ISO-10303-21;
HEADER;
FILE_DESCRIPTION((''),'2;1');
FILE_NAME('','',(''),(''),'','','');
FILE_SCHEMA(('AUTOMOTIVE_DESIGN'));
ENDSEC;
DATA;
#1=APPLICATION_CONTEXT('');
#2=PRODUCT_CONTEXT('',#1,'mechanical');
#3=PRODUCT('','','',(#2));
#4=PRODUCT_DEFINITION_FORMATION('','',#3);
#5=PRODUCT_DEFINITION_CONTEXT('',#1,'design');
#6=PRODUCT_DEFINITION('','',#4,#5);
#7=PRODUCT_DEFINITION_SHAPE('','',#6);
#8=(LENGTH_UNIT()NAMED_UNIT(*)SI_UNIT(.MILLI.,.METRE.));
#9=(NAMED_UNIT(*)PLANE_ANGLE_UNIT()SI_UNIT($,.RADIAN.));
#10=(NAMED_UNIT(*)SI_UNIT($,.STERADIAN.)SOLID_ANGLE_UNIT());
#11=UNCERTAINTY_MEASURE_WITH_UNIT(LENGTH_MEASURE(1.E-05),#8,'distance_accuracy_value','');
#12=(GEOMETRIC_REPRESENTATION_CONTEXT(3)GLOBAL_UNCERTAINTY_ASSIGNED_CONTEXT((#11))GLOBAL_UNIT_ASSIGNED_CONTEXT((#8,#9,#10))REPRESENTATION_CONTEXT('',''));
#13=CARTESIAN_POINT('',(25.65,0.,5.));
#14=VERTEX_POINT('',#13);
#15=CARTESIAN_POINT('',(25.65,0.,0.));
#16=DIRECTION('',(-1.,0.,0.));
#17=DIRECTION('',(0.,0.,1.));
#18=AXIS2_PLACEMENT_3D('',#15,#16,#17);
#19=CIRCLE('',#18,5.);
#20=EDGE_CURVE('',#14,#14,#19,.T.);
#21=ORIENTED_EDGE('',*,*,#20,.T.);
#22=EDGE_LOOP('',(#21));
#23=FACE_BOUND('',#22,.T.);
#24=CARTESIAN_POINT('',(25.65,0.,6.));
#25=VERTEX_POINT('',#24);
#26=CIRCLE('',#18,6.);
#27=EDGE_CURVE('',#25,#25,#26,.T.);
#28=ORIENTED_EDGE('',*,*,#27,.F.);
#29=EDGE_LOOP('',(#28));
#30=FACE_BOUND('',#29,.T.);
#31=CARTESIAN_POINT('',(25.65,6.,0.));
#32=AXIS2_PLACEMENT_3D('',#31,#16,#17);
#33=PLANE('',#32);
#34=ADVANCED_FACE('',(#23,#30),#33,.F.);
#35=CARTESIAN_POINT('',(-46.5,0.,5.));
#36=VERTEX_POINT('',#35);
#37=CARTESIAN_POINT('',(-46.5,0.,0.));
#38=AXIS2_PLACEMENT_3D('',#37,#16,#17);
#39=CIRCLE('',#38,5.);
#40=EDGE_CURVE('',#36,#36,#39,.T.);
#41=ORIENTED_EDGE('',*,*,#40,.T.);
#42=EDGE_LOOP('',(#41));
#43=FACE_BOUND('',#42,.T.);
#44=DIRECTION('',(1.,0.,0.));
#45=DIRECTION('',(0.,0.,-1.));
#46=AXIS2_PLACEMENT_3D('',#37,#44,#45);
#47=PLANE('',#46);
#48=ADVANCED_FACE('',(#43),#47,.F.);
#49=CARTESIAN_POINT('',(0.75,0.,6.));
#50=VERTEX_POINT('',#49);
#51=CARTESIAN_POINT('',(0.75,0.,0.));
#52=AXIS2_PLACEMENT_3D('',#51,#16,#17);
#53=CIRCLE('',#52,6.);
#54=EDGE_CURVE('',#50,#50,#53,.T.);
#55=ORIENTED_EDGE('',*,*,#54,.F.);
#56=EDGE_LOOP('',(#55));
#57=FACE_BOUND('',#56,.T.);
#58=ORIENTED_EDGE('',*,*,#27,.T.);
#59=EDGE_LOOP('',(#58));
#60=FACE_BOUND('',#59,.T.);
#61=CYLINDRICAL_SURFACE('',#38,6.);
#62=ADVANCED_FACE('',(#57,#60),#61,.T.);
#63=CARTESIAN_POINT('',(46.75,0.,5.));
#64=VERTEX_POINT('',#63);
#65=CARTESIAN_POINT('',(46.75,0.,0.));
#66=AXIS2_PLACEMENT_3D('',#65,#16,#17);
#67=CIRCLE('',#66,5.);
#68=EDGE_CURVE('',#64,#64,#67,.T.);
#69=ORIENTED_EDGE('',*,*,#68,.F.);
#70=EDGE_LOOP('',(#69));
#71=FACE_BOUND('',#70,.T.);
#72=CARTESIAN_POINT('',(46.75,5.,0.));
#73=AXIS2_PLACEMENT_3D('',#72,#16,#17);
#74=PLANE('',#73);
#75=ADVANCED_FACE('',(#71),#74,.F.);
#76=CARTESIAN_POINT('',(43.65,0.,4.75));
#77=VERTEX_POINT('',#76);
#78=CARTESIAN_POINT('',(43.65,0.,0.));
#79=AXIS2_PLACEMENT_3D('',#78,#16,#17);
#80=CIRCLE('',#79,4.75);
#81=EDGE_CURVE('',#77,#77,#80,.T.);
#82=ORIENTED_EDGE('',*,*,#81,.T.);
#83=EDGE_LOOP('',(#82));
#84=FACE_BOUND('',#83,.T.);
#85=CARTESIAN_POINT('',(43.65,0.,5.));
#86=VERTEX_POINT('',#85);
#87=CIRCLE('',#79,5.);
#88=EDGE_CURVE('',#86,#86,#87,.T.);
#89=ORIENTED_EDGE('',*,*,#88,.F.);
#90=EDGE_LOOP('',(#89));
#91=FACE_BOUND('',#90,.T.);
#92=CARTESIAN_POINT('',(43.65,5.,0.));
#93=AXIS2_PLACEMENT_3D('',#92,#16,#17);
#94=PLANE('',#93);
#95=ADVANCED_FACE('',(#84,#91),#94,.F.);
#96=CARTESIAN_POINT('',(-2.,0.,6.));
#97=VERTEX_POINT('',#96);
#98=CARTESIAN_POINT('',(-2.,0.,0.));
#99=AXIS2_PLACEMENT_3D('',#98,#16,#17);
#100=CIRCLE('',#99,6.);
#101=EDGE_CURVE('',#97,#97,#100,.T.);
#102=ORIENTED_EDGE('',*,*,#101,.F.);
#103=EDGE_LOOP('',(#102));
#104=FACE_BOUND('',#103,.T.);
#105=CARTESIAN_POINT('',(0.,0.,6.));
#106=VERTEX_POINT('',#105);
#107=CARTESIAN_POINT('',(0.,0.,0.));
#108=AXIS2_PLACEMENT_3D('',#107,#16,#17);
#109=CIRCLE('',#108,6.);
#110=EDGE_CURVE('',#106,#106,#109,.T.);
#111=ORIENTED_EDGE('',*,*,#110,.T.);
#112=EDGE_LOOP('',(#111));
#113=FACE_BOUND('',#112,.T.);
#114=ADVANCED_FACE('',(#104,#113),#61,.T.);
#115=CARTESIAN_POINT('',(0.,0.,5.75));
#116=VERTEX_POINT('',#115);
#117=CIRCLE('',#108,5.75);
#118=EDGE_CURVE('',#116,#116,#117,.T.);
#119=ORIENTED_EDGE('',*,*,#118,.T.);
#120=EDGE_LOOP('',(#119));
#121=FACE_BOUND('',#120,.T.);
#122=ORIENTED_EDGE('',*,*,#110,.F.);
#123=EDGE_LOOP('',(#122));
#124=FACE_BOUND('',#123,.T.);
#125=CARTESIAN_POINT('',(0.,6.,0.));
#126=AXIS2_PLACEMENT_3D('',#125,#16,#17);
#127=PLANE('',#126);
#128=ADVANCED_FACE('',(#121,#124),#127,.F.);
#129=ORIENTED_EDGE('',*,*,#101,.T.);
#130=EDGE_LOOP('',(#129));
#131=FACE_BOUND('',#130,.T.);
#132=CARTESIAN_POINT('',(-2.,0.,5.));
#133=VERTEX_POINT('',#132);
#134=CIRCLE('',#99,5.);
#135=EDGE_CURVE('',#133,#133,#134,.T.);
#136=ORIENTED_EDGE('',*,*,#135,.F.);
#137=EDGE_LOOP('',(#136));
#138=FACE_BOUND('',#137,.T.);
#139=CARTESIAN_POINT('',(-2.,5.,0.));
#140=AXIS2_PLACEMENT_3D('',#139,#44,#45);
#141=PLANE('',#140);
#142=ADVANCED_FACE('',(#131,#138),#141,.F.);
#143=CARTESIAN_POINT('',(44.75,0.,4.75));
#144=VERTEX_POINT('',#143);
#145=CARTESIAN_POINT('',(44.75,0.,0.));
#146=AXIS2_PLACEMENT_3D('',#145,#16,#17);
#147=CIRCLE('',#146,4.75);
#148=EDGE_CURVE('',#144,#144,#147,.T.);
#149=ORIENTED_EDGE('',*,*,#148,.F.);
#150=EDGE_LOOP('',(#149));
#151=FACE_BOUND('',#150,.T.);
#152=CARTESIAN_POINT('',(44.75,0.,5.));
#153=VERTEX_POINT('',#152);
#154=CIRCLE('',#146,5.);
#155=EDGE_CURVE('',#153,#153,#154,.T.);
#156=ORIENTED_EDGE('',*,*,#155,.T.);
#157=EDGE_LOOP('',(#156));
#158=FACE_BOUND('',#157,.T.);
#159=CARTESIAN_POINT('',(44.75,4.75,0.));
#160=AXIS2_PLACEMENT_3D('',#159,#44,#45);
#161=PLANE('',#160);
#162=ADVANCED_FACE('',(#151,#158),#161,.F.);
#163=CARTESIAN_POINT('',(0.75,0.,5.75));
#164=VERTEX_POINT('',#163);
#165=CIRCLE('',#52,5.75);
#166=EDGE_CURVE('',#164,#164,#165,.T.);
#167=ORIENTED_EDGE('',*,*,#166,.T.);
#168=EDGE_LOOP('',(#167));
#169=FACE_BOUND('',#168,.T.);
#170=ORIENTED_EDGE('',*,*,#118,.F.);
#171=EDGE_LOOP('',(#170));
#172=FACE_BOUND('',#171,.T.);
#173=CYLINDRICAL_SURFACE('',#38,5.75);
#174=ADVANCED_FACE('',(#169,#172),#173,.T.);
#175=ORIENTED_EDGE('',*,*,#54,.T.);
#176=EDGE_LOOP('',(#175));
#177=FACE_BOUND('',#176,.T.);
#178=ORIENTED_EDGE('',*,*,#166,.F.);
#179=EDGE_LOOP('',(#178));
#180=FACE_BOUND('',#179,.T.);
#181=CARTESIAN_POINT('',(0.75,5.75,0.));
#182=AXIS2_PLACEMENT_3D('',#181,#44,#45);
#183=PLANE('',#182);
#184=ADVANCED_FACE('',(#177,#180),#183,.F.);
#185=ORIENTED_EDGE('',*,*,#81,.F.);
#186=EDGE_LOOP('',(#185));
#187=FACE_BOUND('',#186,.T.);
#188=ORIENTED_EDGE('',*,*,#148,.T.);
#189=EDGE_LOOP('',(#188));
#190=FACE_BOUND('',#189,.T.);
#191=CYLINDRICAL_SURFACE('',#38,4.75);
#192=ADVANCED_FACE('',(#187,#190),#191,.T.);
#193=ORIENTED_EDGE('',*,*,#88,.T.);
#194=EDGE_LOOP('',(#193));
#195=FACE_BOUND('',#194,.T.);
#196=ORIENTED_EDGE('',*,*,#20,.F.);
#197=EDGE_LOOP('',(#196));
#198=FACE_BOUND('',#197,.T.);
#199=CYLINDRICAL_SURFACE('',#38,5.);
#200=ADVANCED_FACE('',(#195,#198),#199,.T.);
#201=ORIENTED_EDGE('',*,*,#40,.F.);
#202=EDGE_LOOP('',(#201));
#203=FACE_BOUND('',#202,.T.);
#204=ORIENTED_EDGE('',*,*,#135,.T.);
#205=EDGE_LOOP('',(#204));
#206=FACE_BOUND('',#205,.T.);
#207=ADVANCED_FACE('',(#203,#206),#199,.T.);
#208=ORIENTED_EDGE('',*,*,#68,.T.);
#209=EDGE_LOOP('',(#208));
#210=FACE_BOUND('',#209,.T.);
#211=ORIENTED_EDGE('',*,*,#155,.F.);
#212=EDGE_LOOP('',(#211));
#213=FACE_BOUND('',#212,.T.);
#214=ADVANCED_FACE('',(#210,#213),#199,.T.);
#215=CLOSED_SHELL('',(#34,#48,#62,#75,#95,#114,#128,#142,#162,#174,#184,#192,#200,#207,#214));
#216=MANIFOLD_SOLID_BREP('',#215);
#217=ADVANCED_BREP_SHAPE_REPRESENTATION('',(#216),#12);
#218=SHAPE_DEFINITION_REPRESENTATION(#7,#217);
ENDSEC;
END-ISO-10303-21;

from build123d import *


with BuildPart() as part:
    # Sketch2 → Revolve1 (revolve)
    with BuildSketch(Plane.XY, mode=Mode.PRIVATE) as revolve1_sk:
        Polygon((-46.5, 0), (-46.5, 5), (-2, 5), (-2, 6), (0, 6), (0, 5.75), (0.75, 5.75), (0.75, 6), (25.65, 6), (25.65, 5), (43.65, 5), (43.65, 4.75), (44.75, 4.75), (44.75, 5), (46.75, 5), (46.75, 0), align=None)
    revolve(revolve1_sk.sketch.rotate(Axis((-46.5, 0, 0), (1, 0, 0)), 90), axis=Axis((-46.5, 0, 0), (1, 0, 0)))


solid = part.part
